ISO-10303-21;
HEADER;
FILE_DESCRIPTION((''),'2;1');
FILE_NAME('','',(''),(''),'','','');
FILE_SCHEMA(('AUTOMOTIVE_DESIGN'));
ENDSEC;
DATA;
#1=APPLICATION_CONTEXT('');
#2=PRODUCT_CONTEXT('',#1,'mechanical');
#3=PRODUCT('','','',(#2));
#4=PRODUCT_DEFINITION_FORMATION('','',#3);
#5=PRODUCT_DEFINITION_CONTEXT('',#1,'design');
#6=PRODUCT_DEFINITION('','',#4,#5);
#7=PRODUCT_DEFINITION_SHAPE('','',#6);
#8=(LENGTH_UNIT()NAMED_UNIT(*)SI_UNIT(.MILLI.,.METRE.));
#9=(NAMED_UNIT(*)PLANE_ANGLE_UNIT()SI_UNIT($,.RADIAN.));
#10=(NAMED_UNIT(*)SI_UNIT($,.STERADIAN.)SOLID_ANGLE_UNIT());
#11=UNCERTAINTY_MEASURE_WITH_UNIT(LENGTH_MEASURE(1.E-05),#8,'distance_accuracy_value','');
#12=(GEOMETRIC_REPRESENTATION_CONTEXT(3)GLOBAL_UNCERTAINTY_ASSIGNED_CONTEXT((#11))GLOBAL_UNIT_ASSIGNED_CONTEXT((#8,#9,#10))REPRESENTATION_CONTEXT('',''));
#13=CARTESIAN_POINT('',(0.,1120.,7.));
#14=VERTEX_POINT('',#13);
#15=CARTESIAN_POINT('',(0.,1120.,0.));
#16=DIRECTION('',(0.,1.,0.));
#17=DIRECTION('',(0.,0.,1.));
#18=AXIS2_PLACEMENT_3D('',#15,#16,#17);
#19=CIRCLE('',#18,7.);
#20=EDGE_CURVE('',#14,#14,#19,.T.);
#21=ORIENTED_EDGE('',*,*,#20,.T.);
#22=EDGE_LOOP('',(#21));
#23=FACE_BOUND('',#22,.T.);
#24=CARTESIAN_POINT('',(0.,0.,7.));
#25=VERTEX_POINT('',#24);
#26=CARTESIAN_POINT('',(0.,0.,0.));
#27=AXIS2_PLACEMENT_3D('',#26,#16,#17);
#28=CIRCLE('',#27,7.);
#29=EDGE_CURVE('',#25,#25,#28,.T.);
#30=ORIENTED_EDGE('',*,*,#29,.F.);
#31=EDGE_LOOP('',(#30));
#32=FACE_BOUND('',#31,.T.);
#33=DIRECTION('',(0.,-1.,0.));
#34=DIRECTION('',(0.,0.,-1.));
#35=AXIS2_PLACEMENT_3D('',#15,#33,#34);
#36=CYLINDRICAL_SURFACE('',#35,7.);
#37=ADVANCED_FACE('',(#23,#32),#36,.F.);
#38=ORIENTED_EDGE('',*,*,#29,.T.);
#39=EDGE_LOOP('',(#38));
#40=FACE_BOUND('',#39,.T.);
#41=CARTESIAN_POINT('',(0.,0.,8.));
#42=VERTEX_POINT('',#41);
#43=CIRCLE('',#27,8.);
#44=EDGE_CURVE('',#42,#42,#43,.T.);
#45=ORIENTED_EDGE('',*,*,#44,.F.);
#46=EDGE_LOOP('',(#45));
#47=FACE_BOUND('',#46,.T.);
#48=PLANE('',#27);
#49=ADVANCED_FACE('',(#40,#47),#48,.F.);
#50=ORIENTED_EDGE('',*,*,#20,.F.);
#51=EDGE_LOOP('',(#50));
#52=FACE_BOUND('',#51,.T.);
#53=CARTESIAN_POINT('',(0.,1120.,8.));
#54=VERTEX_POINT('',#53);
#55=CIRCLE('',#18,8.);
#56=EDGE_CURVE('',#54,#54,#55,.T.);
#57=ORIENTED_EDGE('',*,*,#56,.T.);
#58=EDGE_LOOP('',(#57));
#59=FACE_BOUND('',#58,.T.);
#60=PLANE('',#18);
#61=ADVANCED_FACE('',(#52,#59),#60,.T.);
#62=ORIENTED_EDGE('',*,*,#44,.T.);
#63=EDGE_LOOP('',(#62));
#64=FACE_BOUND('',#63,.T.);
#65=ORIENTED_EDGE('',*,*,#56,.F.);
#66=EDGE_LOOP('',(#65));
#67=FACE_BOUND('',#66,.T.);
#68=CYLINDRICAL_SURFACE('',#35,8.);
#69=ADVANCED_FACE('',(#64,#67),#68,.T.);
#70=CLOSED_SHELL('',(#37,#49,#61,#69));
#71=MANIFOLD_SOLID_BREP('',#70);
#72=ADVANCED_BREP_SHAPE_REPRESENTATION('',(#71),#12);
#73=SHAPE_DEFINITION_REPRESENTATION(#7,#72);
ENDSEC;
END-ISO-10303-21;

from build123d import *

# Parameters (mm, degrees)
SCHIZZO1_R                   = 8
SCHIZZO1_R_2                 = 7
ESTRUSIONE_ESTRUSIONE1_DEPTH = 1120


with BuildPart() as part:
    # Schizzo1 → Estrusione-Estrusione1 (new body)
    with BuildSketch(Plane(origin=(0, 0, 0), x_dir=(1, 0, 0), z_dir=(0, 1, 0))):
        with Locations(Location((0, 0, 0), (0, 0, 270))):
            Circle(SCHIZZO1_R)
        with Locations(Location((0, 0, 0), (0, 0, 270))):
            Circle(SCHIZZO1_R_2, mode=Mode.SUBTRACT)
    extrude(amount=ESTRUSIONE_ESTRUSIONE1_DEPTH)


solid = part.part
